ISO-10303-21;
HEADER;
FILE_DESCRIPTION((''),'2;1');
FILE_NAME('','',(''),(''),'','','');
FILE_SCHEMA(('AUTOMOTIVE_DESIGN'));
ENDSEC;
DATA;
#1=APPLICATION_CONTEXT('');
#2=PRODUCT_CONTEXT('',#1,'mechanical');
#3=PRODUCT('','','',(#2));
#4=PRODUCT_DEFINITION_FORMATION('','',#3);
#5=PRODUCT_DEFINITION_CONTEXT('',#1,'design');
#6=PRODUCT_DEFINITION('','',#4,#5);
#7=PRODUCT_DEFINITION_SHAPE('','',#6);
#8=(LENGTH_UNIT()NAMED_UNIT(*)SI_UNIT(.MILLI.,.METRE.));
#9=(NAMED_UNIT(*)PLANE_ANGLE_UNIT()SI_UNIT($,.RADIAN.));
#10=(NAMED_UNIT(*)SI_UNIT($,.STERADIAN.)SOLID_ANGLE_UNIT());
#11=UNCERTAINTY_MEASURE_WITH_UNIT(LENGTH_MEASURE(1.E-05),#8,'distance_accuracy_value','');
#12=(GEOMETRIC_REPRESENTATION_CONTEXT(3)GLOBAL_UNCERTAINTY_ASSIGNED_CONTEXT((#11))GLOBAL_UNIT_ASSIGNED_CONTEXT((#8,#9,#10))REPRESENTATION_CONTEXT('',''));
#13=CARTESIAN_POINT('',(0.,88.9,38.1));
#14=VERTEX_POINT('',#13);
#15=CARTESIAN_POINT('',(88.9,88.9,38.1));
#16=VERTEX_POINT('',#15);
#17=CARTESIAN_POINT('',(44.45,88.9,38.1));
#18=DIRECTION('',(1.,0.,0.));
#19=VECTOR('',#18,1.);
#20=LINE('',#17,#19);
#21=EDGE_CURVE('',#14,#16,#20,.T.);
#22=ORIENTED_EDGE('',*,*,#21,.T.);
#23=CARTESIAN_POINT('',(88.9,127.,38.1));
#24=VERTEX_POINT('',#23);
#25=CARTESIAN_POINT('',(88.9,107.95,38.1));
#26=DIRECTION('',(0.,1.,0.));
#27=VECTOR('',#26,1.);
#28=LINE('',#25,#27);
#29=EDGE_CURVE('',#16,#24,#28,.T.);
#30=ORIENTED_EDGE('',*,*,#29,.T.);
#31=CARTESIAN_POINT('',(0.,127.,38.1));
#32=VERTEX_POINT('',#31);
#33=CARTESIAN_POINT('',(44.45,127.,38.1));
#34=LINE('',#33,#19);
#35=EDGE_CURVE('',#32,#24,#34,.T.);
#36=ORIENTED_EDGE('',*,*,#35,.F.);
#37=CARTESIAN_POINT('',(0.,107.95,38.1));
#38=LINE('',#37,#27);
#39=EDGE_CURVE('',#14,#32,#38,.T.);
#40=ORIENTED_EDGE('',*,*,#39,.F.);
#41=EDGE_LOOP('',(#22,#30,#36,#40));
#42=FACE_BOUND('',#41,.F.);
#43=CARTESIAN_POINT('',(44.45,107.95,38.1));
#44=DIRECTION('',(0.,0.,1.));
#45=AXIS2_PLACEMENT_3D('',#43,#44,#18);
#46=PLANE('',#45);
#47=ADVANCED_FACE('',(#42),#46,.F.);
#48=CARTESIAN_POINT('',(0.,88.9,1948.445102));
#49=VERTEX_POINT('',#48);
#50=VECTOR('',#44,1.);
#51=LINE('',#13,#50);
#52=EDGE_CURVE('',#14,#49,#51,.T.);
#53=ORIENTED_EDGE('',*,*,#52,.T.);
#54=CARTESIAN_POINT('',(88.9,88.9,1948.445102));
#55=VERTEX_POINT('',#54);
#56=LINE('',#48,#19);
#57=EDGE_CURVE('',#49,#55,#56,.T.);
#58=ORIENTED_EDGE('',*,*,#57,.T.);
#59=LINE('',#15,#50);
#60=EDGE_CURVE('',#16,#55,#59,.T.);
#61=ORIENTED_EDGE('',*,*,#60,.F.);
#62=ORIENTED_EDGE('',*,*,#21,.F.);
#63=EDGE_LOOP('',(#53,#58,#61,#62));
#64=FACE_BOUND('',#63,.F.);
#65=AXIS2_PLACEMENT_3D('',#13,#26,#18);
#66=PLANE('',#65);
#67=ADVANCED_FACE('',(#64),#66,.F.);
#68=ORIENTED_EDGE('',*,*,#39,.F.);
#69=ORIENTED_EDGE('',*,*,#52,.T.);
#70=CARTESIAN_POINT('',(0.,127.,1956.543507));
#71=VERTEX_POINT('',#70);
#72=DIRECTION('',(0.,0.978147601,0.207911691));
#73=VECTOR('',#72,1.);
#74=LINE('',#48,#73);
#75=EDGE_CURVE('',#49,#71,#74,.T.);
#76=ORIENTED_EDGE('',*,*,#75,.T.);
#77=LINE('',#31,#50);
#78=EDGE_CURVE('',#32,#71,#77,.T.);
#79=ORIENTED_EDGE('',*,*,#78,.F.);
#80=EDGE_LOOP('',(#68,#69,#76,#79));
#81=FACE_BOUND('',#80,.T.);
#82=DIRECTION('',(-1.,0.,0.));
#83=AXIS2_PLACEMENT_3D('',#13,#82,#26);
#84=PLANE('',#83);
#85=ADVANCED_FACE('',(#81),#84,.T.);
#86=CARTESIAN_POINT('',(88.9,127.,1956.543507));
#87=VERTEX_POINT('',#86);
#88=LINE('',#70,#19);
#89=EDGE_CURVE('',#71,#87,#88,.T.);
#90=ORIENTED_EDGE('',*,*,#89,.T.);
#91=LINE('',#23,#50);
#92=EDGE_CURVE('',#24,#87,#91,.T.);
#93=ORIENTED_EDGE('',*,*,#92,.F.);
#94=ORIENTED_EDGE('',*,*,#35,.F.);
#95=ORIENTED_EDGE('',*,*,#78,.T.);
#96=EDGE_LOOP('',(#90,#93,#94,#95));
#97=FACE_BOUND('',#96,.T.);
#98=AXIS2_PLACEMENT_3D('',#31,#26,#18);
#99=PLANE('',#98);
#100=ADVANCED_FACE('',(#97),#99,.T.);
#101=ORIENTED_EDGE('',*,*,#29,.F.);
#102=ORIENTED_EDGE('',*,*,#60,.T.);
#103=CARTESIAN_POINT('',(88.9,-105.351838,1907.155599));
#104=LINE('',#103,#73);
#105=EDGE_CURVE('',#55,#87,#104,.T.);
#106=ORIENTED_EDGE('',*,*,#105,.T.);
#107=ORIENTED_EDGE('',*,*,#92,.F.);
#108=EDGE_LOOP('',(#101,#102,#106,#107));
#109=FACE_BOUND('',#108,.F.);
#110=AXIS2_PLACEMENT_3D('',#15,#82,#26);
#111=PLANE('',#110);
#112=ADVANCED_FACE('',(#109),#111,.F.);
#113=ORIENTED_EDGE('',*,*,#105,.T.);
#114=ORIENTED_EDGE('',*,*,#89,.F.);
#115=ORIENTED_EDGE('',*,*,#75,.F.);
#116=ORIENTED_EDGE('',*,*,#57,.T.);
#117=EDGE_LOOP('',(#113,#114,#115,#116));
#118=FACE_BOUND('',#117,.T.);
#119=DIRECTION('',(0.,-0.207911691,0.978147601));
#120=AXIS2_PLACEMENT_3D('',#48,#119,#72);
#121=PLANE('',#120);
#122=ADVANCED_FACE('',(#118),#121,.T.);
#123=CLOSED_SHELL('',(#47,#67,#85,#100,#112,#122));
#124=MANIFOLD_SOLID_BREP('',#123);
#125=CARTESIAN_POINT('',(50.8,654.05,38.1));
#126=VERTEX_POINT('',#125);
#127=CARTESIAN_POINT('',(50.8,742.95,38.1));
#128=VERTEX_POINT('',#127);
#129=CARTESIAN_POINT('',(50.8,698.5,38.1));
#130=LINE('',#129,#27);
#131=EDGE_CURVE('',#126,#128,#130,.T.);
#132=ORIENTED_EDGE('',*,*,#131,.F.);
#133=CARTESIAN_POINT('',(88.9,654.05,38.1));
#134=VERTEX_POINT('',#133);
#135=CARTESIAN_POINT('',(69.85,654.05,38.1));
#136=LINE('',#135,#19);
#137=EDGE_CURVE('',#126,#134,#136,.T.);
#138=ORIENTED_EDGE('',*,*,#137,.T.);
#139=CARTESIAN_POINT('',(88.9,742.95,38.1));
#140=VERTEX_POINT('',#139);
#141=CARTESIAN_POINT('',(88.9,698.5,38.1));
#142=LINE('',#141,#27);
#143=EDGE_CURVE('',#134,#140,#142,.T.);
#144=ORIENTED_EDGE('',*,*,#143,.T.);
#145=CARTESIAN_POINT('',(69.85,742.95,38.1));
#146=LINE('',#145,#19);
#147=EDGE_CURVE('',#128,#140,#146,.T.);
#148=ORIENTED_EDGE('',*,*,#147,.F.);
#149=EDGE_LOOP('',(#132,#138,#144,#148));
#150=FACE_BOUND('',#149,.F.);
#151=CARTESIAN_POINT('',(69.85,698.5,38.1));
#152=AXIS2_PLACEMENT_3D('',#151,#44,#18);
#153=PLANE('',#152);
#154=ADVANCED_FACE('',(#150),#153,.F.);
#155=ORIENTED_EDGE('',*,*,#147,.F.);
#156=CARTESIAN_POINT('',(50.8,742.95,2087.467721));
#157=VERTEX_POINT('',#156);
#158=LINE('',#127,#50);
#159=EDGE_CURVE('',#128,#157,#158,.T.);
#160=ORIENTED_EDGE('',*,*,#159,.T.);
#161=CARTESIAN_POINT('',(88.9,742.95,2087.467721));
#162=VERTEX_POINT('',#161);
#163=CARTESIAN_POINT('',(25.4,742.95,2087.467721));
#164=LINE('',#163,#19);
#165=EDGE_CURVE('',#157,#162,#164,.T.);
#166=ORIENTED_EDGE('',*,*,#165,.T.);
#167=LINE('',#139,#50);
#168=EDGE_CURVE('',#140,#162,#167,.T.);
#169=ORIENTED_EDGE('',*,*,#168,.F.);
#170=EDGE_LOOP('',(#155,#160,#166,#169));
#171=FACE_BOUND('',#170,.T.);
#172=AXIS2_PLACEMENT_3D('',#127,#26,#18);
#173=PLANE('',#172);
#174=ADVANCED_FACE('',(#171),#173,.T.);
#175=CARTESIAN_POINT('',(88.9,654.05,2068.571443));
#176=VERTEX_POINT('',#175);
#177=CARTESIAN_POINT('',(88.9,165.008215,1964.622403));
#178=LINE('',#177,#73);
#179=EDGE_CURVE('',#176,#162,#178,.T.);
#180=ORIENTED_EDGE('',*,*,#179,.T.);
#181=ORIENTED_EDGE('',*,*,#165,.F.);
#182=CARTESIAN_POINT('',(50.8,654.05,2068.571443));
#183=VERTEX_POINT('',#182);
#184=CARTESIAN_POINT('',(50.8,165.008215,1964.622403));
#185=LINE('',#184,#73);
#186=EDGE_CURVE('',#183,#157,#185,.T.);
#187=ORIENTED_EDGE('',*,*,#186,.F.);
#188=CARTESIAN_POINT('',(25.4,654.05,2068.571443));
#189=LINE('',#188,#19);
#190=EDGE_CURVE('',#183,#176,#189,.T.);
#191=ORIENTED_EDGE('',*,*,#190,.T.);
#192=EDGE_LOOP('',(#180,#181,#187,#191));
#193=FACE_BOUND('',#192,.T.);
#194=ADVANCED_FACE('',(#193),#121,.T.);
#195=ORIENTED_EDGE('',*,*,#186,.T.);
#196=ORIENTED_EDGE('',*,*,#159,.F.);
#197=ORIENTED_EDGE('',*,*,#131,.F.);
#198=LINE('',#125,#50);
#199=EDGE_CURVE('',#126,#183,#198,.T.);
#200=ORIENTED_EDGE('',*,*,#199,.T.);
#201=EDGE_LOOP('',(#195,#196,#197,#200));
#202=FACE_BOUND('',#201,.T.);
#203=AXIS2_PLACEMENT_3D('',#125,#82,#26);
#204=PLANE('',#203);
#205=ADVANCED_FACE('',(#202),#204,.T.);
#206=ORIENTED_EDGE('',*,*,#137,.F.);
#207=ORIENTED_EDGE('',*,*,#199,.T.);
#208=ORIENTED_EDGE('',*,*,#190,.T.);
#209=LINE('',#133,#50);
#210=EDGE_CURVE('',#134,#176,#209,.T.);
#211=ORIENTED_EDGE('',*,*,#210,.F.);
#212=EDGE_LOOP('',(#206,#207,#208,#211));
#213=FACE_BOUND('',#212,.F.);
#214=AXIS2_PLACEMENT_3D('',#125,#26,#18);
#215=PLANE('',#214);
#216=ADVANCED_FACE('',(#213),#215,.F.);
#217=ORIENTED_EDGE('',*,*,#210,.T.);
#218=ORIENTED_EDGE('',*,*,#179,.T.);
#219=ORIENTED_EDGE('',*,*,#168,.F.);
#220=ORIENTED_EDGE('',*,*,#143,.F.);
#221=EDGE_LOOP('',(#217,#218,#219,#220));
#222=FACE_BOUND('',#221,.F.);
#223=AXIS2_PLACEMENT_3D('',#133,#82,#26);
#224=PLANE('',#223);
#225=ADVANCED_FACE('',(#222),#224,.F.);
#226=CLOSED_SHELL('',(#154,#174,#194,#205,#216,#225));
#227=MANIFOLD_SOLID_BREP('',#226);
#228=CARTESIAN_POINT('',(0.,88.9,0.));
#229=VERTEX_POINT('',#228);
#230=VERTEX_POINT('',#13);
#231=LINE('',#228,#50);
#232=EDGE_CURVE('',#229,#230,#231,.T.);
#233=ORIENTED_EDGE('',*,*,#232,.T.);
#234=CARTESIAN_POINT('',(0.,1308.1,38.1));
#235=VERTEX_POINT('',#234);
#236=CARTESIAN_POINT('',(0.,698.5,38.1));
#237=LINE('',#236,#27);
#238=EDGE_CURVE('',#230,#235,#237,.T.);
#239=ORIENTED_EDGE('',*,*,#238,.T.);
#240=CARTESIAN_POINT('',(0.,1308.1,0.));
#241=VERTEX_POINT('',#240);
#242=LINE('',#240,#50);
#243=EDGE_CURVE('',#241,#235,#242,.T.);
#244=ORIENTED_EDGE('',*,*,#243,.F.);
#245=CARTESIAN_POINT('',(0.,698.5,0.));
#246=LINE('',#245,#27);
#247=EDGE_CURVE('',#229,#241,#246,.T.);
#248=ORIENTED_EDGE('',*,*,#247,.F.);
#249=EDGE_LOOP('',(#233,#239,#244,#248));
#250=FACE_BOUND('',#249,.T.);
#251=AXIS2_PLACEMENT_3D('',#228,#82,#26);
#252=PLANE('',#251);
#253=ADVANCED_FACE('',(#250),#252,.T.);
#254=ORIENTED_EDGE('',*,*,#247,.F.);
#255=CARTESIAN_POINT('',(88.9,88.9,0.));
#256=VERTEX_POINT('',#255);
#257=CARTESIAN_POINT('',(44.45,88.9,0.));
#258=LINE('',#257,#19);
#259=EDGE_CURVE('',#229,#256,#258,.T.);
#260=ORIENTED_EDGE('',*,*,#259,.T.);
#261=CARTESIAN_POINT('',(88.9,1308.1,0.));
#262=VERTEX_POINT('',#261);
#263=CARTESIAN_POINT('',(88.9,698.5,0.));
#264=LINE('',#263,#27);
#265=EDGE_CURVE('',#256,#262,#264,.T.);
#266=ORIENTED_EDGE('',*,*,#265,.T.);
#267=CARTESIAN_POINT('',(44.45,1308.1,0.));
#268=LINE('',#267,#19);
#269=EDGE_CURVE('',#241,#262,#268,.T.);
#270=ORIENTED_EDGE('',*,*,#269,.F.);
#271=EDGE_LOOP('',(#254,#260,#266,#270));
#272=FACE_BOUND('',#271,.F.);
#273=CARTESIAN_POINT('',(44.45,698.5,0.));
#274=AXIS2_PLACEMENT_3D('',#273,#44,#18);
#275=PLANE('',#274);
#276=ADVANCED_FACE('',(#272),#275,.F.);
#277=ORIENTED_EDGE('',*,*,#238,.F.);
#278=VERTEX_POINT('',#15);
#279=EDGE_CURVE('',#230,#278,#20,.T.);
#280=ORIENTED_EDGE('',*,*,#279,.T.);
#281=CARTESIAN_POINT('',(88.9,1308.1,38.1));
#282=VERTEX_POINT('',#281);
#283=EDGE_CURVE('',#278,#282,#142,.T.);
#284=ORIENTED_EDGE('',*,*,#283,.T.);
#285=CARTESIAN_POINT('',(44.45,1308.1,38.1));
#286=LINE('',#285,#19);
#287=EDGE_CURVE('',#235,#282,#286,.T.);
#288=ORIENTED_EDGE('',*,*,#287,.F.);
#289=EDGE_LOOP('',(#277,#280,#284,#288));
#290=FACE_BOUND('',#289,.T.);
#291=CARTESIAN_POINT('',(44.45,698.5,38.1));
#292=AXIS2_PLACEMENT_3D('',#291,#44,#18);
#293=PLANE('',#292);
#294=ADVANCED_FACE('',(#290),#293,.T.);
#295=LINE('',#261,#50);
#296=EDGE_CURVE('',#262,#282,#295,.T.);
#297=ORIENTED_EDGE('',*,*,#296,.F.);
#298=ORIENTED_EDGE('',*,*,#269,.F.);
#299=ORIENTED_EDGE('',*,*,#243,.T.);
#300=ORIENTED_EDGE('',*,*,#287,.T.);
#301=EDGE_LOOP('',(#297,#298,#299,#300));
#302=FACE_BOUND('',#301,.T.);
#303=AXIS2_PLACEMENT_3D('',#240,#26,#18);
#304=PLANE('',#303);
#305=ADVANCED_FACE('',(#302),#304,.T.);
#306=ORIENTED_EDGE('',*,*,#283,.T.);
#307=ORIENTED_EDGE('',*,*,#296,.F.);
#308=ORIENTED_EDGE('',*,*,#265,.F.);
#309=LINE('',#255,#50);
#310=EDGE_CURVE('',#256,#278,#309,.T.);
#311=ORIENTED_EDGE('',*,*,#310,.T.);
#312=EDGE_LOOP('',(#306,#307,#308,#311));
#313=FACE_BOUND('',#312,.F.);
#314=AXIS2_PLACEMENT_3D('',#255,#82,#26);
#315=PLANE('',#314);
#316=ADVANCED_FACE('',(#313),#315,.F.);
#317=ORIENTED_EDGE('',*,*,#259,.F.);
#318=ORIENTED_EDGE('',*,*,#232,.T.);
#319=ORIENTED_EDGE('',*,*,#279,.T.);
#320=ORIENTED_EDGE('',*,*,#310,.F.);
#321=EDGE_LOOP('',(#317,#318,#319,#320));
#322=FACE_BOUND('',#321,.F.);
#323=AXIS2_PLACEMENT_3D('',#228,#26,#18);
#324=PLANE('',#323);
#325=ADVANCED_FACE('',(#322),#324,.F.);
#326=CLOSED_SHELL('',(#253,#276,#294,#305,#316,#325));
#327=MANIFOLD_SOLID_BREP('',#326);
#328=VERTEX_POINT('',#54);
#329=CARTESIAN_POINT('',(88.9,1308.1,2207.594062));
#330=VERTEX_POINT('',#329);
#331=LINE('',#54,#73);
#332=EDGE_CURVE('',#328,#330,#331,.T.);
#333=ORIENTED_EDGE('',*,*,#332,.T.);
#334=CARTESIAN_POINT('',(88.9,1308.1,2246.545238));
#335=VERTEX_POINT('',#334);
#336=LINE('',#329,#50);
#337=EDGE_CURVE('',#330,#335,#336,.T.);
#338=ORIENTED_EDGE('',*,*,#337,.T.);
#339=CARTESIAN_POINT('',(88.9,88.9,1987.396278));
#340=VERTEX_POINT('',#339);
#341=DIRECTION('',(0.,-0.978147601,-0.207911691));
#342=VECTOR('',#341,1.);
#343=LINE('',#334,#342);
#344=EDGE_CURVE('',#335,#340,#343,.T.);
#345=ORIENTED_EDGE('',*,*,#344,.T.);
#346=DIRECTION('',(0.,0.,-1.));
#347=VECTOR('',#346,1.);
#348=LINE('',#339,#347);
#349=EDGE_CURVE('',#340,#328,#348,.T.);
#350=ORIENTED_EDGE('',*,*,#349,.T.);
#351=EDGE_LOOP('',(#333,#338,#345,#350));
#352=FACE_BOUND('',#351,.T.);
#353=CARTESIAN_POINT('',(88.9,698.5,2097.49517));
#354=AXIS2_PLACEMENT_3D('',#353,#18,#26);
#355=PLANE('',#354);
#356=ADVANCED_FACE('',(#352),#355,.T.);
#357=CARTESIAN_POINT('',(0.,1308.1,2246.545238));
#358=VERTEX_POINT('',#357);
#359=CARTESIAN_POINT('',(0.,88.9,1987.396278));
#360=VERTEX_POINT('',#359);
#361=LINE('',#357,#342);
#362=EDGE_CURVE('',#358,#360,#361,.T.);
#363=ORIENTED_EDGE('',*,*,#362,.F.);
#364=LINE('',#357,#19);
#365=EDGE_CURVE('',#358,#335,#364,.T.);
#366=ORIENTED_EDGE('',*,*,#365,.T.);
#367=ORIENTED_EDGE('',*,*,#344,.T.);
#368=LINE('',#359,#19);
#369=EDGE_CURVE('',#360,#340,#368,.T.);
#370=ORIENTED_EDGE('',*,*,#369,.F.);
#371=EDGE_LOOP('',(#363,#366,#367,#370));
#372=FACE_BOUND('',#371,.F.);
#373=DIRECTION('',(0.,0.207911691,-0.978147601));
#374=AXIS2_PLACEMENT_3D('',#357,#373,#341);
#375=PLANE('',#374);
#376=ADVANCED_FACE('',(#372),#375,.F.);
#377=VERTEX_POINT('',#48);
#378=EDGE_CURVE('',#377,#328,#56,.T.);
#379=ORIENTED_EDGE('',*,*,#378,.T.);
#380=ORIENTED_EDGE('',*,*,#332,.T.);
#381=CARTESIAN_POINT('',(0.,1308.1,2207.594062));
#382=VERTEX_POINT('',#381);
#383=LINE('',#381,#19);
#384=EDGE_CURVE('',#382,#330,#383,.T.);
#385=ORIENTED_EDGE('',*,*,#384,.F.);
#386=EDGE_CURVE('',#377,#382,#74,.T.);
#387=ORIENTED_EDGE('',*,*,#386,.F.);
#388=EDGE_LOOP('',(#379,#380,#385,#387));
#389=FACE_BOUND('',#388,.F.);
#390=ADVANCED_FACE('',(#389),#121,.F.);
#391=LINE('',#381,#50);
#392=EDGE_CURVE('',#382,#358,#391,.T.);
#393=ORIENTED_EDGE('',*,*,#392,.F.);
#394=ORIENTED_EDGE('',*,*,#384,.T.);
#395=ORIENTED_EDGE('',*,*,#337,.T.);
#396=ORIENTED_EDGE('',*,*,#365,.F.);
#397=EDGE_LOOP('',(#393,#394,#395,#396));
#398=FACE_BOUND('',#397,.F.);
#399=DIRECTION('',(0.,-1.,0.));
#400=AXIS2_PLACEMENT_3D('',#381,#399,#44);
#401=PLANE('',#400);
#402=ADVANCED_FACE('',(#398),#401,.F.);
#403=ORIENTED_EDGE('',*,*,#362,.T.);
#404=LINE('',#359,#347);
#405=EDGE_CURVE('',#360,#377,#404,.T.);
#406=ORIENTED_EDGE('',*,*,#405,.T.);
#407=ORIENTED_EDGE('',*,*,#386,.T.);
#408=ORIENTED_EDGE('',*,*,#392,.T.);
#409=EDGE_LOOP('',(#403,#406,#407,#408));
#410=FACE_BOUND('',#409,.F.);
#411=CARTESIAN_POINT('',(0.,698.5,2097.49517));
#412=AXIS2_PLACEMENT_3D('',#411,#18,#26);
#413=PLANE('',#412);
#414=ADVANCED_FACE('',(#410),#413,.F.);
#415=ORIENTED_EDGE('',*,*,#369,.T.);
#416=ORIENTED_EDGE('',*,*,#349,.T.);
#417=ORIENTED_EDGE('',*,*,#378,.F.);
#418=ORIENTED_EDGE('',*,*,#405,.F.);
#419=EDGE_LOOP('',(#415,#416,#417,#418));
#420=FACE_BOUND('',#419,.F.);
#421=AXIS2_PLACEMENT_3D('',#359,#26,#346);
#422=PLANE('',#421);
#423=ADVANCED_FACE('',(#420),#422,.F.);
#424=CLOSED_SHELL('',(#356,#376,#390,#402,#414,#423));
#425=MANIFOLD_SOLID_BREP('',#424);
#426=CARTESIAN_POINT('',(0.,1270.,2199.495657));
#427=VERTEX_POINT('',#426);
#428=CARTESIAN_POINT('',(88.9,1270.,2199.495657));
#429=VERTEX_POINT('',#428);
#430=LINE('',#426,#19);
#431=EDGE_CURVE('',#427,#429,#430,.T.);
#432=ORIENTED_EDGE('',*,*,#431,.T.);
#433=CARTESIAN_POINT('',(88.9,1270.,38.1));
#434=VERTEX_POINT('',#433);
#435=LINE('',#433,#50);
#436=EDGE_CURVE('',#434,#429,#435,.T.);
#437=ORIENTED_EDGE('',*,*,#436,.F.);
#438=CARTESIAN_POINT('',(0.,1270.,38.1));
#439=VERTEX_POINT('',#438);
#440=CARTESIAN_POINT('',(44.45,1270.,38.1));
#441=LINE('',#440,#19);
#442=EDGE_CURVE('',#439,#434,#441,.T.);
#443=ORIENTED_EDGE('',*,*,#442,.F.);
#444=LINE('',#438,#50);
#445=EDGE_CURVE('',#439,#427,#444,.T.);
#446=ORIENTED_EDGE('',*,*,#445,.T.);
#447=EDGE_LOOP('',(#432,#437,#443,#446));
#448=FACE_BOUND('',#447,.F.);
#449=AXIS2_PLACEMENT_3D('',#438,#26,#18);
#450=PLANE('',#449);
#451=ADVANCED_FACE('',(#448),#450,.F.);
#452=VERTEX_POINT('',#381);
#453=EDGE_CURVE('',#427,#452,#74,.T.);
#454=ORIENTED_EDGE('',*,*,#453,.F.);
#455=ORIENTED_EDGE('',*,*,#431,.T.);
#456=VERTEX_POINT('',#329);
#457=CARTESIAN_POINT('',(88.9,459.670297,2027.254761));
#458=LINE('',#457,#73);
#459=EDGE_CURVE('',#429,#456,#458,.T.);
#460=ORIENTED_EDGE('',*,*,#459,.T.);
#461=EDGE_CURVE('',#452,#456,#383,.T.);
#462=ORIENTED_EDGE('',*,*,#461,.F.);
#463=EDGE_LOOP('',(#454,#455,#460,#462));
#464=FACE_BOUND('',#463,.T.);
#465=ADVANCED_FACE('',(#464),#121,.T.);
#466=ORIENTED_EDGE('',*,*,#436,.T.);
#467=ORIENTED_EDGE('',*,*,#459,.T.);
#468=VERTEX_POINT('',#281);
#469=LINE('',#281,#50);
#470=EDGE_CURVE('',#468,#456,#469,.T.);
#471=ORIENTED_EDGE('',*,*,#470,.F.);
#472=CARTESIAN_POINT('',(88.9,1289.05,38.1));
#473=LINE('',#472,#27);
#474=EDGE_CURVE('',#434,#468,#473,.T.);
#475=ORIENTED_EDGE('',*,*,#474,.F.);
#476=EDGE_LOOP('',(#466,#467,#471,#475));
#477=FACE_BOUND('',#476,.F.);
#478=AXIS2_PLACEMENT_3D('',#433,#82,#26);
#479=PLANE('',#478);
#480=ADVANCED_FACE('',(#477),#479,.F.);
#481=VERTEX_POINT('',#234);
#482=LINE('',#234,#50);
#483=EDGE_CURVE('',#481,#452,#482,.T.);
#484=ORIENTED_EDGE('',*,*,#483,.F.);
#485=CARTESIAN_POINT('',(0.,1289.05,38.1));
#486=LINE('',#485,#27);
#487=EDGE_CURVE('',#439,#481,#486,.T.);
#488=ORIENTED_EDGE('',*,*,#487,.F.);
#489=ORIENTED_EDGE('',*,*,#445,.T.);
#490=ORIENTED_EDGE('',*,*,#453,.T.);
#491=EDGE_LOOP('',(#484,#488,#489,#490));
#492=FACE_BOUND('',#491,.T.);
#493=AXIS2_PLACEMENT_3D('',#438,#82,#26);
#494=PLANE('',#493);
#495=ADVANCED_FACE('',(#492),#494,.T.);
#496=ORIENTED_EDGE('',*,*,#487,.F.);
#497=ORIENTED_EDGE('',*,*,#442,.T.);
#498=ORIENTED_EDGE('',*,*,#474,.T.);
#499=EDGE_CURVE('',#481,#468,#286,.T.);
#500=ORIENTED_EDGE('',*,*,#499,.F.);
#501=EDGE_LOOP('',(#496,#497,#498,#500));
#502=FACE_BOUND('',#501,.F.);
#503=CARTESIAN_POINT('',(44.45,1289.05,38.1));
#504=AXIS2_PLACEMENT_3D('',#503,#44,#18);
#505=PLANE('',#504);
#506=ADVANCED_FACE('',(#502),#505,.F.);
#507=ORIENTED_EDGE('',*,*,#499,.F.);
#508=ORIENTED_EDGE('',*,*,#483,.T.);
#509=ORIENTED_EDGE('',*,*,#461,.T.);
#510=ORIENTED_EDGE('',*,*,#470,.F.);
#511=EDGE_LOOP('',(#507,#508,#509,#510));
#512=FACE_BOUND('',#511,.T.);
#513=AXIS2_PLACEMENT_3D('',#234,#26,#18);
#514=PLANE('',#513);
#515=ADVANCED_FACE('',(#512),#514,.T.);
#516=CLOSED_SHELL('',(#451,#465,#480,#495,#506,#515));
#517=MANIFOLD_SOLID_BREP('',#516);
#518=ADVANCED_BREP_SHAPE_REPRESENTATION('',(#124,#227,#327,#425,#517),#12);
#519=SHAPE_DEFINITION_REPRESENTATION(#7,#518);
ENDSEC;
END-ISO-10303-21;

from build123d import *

# Parameters (mm, degrees)
F1_W     = 88.9
F1_H     = 1219.2
F2_DEPTH = 38.1
F3_W     = 88.9
F3_H     = 38.1
F3_W_2   = 38.1
F3_H_2   = 88.9
F4_DEPTH = 2540
F6_DEPTH = 88.901
F8_DEPTH = 88.9


with BuildPart() as f2:
    # F1 (on Top) → F2 (new body)
    with BuildSketch(Plane.XY):
        with Locations((44.45, 698.5)):
            Rectangle(F1_W, F1_H)
    extrude(amount=F2_DEPTH)


with BuildPart() as f4:
    # F3 (on face) → F4 (new body)
    with BuildSketch(Plane.XY.offset(38.1)):
        with Locations((44.45, 107.95)):
            Rectangle(F3_W, F3_H)
        with Locations((44.45, 1289.05)):
            Rectangle(F3_W, F3_H)
        with Locations((69.85, 698.5)):
            Rectangle(F3_W_2, F3_H_2)
    extrude(amount=F4_DEPTH)

    # F5 (on Right) → F6 (cut, through all)
    with BuildSketch(Plane.YZ):
        Polygon((1308.1, 2578.1), (88.9, 2578.1), (88.9, 1948.445102), (1308.1, 2207.594062), align=None)
    extrude(amount=F6_DEPTH, mode=Mode.SUBTRACT)


with BuildPart() as f8:
    # F7 (on Right) → F8 (new body)
    with BuildSketch(Plane.YZ):
        Polygon((88.9, 1987.396278), (88.9, 1948.445102), (1308.1, 2207.594062), (1308.1, 2246.545238), align=None)
    extrude(amount=F8_DEPTH)


solid = Compound([f2.part, f4.part, f8.part])
